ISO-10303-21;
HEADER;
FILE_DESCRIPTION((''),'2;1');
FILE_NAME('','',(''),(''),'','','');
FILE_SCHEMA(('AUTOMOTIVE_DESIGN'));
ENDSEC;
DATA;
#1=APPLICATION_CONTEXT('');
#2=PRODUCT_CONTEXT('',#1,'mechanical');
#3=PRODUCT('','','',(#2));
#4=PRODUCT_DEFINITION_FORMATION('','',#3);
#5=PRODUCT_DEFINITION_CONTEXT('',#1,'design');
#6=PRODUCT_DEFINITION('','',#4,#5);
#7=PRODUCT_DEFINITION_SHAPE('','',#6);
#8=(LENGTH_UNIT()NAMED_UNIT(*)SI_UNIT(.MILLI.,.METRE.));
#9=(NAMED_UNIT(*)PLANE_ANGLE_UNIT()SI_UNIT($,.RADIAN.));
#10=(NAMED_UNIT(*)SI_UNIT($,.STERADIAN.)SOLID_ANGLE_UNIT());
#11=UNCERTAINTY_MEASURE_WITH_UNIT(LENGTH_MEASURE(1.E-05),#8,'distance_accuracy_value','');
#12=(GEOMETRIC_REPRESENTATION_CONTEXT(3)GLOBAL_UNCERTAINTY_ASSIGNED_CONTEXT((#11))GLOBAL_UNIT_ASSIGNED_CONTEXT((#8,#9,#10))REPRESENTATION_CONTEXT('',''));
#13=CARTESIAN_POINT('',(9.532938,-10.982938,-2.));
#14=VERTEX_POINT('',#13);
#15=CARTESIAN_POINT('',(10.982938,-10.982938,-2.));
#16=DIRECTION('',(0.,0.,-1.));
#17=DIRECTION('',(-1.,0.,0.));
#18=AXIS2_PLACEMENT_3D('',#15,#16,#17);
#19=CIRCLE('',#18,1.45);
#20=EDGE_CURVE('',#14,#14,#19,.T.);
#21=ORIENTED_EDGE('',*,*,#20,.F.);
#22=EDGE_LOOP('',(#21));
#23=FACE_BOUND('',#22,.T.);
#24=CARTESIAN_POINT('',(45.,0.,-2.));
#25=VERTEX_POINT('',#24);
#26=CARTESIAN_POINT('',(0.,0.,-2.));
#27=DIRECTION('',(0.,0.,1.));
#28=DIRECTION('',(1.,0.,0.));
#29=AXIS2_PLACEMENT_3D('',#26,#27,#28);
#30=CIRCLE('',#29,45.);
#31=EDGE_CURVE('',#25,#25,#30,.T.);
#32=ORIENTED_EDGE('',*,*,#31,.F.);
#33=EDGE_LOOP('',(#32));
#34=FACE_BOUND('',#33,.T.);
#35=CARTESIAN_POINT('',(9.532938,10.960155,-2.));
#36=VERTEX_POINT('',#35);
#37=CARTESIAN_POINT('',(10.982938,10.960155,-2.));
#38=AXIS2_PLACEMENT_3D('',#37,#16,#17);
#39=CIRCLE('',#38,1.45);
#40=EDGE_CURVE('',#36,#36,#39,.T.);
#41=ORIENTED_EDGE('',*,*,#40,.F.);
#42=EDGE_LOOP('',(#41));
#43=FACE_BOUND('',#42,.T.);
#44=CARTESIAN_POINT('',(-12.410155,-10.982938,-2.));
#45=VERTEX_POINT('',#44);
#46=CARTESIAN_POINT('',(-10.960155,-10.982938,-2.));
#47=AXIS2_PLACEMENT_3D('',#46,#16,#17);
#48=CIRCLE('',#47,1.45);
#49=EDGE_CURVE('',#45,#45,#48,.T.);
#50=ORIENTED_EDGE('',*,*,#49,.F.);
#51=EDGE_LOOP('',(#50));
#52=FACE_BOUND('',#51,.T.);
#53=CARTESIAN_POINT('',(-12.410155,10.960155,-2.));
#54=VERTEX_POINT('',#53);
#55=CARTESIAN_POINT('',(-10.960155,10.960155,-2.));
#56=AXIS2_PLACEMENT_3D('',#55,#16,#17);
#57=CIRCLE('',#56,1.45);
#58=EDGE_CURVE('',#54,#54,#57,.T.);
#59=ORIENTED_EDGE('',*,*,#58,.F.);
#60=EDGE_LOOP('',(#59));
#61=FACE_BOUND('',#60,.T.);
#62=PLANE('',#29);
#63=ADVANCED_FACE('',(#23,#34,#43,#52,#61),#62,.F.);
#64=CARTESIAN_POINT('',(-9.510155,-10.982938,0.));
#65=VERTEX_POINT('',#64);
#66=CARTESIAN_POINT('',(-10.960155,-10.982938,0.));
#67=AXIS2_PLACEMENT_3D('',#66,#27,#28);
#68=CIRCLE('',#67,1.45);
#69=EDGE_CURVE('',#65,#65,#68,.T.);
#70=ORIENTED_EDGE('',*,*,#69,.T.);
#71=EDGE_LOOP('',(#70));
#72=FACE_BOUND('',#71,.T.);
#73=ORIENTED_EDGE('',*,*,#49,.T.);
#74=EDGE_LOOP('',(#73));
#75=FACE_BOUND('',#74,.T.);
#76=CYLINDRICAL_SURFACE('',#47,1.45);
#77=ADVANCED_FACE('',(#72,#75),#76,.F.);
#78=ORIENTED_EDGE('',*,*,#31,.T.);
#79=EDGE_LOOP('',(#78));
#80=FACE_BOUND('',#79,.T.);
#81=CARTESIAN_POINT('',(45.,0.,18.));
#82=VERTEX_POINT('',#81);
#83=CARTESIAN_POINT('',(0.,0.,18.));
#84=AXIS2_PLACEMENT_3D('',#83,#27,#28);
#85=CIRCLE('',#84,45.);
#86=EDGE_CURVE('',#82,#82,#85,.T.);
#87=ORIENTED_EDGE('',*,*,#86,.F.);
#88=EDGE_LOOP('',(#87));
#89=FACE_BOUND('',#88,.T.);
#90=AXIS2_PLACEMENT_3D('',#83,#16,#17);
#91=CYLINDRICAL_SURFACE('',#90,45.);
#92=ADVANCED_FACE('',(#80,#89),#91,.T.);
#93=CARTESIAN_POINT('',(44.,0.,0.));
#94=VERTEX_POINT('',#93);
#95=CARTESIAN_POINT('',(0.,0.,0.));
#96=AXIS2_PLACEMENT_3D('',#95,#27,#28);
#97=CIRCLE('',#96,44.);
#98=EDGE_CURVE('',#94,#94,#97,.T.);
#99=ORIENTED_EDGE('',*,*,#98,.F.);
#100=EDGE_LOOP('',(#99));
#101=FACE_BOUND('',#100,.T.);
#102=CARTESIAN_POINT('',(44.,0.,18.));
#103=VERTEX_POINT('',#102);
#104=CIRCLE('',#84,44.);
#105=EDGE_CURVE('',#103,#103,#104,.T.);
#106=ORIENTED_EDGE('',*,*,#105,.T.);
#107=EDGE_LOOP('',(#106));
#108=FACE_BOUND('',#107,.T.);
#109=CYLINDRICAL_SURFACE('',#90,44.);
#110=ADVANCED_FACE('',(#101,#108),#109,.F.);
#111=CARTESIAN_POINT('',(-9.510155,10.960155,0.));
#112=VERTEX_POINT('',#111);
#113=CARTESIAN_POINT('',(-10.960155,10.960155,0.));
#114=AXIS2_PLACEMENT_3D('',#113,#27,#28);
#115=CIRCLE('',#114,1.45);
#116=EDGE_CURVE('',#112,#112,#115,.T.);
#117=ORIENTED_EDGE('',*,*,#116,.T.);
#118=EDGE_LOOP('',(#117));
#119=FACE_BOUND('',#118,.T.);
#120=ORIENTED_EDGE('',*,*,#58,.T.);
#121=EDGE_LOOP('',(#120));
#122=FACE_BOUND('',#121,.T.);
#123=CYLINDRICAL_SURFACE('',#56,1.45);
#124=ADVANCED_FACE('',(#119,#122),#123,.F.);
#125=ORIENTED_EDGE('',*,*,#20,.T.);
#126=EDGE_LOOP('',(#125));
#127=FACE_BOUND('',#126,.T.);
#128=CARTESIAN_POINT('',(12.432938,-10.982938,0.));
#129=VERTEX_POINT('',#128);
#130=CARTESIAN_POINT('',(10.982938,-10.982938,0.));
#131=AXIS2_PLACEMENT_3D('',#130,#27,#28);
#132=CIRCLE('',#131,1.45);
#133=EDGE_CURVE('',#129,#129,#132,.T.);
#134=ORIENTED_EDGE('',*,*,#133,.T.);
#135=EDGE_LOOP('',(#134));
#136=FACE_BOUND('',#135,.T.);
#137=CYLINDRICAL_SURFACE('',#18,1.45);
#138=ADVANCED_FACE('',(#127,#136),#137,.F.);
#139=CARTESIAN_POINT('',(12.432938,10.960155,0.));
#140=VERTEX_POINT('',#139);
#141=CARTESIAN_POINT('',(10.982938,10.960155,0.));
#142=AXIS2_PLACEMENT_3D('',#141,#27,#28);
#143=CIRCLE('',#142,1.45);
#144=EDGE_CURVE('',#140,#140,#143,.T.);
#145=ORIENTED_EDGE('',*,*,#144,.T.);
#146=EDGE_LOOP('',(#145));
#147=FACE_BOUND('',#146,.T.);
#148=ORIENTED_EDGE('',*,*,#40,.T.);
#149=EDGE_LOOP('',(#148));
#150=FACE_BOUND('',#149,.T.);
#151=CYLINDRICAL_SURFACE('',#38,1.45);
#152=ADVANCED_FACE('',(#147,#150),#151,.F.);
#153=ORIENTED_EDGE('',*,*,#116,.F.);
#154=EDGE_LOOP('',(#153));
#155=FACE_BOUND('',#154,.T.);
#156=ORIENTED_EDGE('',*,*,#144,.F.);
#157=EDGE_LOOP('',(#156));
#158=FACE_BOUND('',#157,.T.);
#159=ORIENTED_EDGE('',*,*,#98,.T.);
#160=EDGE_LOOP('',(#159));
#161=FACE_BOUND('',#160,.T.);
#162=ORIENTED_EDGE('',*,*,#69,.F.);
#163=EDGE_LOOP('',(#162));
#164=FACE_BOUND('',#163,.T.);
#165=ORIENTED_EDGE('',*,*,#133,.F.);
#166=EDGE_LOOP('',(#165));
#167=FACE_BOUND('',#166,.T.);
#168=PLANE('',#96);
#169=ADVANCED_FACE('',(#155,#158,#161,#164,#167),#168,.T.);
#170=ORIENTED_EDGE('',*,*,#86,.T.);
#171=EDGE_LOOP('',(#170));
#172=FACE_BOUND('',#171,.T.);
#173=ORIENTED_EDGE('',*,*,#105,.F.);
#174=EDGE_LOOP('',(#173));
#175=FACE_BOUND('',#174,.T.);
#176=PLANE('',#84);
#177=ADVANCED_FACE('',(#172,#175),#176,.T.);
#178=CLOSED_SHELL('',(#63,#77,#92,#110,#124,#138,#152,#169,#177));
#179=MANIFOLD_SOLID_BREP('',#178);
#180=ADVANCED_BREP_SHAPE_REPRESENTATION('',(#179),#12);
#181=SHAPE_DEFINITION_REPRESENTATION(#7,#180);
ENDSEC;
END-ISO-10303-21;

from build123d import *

# Parameters (mm, degrees)
SKETCH1_R               = 45
SKETCH1_R_2             = 44
BOSS_EXTRUDE1_DEPTH     = 18
BOSS_EXTRUDE2_START     = -2
SKETCH1_2_R             = 45
SKETCH1_2_R_2           = 44
BOSS_EXTRUDE2_DEPTH     = 2
M3_5X0_6_TAPPED_HOLE1_D = 2.9
CIRPATTERN1_COUNT       = 4


with BuildPart() as part:
    # Sketch1 → Boss-Extrude1 (new body)
    with BuildSketch(Plane.XY):
        Circle(SKETCH1_R)
        Circle(SKETCH1_R_2, mode=Mode.SUBTRACT)
    extrude(amount=BOSS_EXTRUDE1_DEPTH)

    # Sketch1<2> → Boss-Extrude2 (add)
    # profile 1 of 2: a face of its own
    with BuildSketch(Plane.XY.offset(BOSS_EXTRUDE2_START)):
        Circle(SKETCH1_2_R)
        Circle(SKETCH1_2_R_2, mode=Mode.SUBTRACT)
    # profile 2 of 2: a face of its own
    with BuildSketch(Plane.XY.offset(BOSS_EXTRUDE2_START)):
        Circle(SKETCH1_2_R_2)
    extrude(amount=BOSS_EXTRUDE2_DEPTH)

    # M3.5x0.6 Tapped Hole1 (through all)
    with Locations(Plane(origin=(0, 0, -2), x_dir=(-1, 0, 0), z_dir=(0, 0, -1))):
        with Locations((10.960155108, 10.960155108)):
            m3_5x0_6_tapped_hole1 = Hole(M3_5X0_6_TAPPED_HOLE1_D / 2)

    # CirPattern1: M3.5x0.6 Tapped Hole1 ×4 about axis
    cirpattern1_axis = Axis((0.011391445, -0.011391445, 0), (0, 0, 1))
    for i in range(1, CIRPATTERN1_COUNT):
        add(m3_5x0_6_tapped_hole1.rotate(cirpattern1_axis, i * 360 / CIRPATTERN1_COUNT), mode=Mode.SUBTRACT)


solid = part.part
